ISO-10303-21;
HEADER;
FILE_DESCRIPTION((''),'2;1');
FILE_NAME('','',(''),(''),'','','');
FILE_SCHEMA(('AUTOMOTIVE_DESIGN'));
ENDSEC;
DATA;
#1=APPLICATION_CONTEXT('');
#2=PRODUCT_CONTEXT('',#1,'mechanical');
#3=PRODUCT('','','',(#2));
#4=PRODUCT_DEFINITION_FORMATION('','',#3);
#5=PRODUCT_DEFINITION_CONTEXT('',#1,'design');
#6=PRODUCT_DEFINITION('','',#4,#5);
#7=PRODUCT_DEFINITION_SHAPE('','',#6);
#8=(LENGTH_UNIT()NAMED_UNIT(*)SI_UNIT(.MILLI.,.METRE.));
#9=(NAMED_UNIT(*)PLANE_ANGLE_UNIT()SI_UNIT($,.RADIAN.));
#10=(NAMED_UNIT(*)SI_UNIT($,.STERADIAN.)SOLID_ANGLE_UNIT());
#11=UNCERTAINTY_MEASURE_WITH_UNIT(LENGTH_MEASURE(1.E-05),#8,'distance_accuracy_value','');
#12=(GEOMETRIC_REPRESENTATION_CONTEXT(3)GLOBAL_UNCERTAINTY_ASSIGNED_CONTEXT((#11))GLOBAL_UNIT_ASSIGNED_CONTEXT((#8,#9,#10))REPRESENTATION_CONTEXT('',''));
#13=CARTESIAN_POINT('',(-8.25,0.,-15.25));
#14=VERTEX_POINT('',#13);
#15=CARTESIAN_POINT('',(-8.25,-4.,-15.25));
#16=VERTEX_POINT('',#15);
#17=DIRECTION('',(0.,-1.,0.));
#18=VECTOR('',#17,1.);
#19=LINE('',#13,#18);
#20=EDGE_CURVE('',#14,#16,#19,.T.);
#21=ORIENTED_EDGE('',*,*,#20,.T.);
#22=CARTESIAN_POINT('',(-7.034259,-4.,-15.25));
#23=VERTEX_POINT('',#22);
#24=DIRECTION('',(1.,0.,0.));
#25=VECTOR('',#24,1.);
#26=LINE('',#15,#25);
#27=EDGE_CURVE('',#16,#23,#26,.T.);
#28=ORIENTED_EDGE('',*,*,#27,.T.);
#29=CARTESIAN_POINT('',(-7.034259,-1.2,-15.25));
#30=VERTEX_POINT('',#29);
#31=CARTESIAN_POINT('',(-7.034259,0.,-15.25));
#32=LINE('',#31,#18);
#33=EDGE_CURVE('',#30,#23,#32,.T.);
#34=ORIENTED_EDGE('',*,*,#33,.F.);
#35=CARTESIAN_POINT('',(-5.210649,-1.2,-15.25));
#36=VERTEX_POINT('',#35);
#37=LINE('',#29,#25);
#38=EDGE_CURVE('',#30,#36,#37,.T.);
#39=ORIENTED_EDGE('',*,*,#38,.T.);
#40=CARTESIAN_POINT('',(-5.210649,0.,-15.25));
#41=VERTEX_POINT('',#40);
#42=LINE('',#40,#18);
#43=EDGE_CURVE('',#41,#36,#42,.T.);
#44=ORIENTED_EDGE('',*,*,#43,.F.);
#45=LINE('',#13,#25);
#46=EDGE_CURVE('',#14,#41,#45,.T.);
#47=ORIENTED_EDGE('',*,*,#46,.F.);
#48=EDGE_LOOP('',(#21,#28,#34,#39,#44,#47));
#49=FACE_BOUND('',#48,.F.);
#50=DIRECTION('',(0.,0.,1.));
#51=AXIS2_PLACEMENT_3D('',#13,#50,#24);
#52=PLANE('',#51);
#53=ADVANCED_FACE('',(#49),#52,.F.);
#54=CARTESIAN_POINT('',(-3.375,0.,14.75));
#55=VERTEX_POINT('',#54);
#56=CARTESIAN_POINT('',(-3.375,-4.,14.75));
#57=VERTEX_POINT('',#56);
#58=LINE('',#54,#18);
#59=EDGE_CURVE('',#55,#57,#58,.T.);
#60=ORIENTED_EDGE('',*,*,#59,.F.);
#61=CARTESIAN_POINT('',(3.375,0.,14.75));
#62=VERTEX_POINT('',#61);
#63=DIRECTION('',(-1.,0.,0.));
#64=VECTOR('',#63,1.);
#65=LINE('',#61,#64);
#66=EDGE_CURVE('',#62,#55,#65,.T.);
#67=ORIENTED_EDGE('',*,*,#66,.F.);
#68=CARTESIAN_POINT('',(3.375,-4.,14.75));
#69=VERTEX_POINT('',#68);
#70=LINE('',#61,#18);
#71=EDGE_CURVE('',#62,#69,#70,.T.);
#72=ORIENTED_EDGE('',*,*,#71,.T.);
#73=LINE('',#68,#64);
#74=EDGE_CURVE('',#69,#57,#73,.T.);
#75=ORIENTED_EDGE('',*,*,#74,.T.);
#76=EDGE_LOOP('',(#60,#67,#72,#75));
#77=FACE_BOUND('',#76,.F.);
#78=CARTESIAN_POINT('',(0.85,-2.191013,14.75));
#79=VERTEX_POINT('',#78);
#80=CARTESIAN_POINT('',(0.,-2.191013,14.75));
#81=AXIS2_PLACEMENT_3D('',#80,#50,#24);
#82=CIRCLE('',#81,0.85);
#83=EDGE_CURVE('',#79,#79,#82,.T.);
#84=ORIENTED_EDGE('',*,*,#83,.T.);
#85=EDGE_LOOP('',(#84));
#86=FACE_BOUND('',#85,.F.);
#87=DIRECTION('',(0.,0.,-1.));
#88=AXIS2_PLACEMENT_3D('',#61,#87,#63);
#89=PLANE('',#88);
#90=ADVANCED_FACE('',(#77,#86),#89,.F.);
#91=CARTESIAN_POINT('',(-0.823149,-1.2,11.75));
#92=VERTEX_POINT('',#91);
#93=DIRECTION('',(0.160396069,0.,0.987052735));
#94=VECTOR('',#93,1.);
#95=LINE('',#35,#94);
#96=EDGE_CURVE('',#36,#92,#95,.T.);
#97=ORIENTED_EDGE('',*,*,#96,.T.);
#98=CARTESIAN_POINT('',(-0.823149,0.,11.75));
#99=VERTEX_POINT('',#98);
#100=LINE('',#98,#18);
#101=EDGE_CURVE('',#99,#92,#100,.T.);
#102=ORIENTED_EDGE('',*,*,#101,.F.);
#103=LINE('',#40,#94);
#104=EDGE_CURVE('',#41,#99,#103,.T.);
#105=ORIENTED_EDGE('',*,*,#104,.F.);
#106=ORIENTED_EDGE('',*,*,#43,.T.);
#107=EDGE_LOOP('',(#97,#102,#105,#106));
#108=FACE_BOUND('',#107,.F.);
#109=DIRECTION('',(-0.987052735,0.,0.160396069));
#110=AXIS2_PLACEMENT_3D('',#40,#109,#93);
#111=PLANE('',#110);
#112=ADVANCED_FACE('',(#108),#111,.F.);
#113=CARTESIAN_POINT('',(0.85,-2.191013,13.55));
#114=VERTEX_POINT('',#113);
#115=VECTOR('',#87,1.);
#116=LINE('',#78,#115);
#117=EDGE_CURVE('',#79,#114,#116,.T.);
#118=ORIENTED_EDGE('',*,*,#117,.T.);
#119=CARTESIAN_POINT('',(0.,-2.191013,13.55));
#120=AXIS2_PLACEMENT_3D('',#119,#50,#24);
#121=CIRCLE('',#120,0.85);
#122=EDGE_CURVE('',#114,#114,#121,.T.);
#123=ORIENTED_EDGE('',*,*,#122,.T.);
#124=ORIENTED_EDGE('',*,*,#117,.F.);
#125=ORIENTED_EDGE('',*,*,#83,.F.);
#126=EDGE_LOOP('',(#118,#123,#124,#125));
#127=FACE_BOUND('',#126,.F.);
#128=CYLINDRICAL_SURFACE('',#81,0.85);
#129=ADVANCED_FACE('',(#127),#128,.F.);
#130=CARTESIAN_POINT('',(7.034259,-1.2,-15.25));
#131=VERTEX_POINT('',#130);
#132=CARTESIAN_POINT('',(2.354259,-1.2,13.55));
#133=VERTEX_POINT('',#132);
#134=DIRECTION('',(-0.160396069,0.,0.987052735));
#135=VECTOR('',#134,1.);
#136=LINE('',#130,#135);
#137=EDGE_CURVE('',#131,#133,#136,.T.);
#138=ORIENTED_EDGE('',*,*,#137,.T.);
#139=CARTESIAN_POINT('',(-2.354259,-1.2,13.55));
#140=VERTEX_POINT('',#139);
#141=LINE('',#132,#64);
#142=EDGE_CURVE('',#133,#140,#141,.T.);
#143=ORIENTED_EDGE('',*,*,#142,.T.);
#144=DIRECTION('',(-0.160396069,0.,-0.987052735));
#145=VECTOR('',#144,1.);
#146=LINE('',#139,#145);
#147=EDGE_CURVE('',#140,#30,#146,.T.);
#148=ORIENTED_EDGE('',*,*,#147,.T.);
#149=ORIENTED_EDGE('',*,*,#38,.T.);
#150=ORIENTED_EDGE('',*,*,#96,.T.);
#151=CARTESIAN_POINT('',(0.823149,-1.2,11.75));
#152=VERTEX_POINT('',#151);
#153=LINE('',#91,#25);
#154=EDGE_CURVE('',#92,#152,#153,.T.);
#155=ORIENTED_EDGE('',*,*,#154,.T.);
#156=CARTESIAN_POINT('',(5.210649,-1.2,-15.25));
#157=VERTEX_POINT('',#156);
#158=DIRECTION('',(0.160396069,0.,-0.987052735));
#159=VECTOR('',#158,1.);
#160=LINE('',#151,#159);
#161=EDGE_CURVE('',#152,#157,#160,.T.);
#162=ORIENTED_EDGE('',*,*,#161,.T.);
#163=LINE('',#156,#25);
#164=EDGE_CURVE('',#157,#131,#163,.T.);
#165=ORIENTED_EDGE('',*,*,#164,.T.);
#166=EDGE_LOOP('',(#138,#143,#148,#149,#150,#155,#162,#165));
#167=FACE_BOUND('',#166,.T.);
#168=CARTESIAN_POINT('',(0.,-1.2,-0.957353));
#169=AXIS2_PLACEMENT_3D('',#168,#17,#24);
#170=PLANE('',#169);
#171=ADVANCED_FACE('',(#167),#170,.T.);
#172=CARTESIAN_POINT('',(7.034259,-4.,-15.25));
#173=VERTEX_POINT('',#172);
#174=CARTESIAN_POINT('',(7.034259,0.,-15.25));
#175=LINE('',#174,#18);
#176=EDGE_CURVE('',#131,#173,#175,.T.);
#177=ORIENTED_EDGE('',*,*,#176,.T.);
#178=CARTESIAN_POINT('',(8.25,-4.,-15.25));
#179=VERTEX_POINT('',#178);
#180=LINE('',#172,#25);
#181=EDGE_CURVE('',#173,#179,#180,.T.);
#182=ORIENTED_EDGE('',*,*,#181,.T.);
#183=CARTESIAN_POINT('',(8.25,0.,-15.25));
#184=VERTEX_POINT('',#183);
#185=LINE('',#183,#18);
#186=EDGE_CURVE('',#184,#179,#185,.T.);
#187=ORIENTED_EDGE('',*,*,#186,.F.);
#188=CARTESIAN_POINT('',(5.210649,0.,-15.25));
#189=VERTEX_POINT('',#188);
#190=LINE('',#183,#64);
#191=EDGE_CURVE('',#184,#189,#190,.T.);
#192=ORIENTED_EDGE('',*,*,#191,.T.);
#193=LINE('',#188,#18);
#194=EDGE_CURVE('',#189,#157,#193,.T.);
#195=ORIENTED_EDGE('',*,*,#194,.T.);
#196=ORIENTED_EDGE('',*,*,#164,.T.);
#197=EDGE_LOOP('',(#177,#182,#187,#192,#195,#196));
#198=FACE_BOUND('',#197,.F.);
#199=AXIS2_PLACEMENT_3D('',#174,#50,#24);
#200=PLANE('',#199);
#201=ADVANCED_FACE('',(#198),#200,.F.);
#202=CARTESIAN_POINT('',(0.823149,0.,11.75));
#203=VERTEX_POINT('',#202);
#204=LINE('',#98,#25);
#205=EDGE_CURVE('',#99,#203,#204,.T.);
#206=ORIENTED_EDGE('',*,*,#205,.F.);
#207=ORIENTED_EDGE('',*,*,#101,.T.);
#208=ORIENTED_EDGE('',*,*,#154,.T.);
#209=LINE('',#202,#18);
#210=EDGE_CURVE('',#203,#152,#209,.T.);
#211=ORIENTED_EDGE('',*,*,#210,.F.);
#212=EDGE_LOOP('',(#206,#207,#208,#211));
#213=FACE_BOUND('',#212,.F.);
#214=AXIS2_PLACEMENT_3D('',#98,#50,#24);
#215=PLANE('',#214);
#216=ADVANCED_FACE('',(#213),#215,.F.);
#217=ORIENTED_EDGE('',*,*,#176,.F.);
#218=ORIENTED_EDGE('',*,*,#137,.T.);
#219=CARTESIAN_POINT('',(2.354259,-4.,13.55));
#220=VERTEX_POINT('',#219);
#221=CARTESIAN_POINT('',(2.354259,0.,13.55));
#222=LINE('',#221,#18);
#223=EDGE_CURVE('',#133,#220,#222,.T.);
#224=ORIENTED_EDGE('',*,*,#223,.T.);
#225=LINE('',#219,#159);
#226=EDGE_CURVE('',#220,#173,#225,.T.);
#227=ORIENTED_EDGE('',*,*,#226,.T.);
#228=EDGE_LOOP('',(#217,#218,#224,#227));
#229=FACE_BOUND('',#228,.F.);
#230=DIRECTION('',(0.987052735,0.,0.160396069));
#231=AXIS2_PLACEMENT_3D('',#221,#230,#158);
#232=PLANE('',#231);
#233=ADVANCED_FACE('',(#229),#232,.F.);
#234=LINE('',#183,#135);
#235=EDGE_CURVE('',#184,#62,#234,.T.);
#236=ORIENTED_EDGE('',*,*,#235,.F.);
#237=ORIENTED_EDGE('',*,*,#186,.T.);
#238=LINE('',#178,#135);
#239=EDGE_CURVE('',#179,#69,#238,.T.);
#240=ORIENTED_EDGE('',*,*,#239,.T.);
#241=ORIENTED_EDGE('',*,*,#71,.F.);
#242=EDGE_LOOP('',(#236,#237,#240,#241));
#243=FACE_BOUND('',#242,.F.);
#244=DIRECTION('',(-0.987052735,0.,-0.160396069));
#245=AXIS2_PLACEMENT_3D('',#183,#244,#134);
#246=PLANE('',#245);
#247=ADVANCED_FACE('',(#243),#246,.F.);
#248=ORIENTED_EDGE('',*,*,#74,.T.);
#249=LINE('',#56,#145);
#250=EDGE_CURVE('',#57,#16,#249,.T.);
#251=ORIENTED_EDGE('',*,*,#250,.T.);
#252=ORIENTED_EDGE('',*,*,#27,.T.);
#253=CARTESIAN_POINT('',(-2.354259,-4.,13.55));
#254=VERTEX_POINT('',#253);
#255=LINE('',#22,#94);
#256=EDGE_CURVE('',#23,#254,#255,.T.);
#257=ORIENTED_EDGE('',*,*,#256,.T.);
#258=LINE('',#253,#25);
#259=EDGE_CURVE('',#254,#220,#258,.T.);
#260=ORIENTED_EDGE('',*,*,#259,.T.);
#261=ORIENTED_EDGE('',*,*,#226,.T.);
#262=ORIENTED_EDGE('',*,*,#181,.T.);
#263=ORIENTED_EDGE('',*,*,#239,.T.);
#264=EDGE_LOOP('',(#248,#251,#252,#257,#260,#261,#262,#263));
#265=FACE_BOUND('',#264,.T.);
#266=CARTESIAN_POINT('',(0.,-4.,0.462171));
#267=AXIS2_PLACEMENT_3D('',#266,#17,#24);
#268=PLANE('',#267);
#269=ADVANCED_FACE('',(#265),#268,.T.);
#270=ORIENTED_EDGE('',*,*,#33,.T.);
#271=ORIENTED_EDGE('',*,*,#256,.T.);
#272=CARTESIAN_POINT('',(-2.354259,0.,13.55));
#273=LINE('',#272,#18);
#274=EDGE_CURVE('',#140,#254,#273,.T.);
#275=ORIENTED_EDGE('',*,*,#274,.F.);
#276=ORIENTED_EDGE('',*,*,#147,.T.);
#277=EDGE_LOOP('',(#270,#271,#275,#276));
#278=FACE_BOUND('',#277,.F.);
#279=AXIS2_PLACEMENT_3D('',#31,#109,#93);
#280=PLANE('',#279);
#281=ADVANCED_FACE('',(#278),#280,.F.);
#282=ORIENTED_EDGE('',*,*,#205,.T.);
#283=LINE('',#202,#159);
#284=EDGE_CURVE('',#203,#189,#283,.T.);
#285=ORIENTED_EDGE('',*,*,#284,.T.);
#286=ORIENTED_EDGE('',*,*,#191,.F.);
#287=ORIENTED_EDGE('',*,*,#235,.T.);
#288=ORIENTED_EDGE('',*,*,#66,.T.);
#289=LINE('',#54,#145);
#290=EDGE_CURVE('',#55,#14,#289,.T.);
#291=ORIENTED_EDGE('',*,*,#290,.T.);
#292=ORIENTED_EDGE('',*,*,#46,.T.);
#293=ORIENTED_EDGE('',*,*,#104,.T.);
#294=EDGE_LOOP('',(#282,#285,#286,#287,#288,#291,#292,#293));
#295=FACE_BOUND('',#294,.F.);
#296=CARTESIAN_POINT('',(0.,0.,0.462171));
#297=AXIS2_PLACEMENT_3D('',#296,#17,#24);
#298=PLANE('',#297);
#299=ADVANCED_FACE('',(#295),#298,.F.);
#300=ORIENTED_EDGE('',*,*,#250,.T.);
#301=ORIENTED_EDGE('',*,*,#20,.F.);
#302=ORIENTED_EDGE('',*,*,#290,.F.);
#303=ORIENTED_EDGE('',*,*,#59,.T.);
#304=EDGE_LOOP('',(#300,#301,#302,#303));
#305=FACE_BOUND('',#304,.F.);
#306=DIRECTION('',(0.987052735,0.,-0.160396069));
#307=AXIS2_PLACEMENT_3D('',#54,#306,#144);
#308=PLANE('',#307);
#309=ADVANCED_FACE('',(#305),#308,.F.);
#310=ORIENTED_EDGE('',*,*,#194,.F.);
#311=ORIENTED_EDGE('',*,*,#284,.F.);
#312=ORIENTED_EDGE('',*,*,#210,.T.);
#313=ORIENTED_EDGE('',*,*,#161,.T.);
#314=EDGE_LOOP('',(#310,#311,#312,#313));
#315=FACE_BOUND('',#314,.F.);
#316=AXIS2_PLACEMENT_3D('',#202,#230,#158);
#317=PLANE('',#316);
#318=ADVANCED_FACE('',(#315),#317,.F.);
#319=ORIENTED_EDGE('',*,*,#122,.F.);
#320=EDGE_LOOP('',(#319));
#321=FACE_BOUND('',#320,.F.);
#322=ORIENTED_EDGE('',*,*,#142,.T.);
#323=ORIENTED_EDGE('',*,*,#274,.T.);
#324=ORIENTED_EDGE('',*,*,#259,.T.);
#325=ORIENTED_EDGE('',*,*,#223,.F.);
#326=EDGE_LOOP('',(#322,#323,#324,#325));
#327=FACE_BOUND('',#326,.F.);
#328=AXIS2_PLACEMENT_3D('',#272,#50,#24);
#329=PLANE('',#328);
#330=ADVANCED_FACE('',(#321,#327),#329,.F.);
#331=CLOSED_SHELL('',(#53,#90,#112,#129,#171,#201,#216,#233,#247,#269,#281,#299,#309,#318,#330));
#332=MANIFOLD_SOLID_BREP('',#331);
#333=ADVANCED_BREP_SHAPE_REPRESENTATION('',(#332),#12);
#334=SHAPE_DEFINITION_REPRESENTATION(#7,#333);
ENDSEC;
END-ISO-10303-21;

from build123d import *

# Parameters (mm, degrees)
F1_DEPTH = 1.2
F2_DEPTH = 4
F3_R     = 0.85
F4_DEPTH = 1.5


with BuildPart() as f1:
    # F0 (on Front) → F1 (new body)
    with BuildSketch(Plane.XZ):
        Polygon((-2.354259, 13.55), (-7.034259, -15.25), (-5.210649, -15.25), (-0.823149, 11.75), (0.823149, 11.75), (5.210649, -15.25), (7.034259, -15.25), (2.354259, 13.55), align=None)
    extrude(amount=F1_DEPTH)

    # F0 (on Front) → F2 (join)
    with BuildSketch(Plane.XZ):
        Polygon((0, 14.75), (-3.375, 14.75), (-8.25, -15.25), (-7.034259, -15.25), (-2.354259, 13.55), (2.354259, 13.55), (7.034259, -15.25), (8.25, -15.25), (3.375, 14.75), align=None)
    extrude(amount=F2_DEPTH)

    # F3 (on face) → F4 (cut)
    with BuildSketch(Plane.XY.offset(14.75)):
        with Locations((0, -2.191013)):
            Circle(F3_R)
    extrude(amount=-F4_DEPTH, mode=Mode.SUBTRACT)


solid = f1.part
